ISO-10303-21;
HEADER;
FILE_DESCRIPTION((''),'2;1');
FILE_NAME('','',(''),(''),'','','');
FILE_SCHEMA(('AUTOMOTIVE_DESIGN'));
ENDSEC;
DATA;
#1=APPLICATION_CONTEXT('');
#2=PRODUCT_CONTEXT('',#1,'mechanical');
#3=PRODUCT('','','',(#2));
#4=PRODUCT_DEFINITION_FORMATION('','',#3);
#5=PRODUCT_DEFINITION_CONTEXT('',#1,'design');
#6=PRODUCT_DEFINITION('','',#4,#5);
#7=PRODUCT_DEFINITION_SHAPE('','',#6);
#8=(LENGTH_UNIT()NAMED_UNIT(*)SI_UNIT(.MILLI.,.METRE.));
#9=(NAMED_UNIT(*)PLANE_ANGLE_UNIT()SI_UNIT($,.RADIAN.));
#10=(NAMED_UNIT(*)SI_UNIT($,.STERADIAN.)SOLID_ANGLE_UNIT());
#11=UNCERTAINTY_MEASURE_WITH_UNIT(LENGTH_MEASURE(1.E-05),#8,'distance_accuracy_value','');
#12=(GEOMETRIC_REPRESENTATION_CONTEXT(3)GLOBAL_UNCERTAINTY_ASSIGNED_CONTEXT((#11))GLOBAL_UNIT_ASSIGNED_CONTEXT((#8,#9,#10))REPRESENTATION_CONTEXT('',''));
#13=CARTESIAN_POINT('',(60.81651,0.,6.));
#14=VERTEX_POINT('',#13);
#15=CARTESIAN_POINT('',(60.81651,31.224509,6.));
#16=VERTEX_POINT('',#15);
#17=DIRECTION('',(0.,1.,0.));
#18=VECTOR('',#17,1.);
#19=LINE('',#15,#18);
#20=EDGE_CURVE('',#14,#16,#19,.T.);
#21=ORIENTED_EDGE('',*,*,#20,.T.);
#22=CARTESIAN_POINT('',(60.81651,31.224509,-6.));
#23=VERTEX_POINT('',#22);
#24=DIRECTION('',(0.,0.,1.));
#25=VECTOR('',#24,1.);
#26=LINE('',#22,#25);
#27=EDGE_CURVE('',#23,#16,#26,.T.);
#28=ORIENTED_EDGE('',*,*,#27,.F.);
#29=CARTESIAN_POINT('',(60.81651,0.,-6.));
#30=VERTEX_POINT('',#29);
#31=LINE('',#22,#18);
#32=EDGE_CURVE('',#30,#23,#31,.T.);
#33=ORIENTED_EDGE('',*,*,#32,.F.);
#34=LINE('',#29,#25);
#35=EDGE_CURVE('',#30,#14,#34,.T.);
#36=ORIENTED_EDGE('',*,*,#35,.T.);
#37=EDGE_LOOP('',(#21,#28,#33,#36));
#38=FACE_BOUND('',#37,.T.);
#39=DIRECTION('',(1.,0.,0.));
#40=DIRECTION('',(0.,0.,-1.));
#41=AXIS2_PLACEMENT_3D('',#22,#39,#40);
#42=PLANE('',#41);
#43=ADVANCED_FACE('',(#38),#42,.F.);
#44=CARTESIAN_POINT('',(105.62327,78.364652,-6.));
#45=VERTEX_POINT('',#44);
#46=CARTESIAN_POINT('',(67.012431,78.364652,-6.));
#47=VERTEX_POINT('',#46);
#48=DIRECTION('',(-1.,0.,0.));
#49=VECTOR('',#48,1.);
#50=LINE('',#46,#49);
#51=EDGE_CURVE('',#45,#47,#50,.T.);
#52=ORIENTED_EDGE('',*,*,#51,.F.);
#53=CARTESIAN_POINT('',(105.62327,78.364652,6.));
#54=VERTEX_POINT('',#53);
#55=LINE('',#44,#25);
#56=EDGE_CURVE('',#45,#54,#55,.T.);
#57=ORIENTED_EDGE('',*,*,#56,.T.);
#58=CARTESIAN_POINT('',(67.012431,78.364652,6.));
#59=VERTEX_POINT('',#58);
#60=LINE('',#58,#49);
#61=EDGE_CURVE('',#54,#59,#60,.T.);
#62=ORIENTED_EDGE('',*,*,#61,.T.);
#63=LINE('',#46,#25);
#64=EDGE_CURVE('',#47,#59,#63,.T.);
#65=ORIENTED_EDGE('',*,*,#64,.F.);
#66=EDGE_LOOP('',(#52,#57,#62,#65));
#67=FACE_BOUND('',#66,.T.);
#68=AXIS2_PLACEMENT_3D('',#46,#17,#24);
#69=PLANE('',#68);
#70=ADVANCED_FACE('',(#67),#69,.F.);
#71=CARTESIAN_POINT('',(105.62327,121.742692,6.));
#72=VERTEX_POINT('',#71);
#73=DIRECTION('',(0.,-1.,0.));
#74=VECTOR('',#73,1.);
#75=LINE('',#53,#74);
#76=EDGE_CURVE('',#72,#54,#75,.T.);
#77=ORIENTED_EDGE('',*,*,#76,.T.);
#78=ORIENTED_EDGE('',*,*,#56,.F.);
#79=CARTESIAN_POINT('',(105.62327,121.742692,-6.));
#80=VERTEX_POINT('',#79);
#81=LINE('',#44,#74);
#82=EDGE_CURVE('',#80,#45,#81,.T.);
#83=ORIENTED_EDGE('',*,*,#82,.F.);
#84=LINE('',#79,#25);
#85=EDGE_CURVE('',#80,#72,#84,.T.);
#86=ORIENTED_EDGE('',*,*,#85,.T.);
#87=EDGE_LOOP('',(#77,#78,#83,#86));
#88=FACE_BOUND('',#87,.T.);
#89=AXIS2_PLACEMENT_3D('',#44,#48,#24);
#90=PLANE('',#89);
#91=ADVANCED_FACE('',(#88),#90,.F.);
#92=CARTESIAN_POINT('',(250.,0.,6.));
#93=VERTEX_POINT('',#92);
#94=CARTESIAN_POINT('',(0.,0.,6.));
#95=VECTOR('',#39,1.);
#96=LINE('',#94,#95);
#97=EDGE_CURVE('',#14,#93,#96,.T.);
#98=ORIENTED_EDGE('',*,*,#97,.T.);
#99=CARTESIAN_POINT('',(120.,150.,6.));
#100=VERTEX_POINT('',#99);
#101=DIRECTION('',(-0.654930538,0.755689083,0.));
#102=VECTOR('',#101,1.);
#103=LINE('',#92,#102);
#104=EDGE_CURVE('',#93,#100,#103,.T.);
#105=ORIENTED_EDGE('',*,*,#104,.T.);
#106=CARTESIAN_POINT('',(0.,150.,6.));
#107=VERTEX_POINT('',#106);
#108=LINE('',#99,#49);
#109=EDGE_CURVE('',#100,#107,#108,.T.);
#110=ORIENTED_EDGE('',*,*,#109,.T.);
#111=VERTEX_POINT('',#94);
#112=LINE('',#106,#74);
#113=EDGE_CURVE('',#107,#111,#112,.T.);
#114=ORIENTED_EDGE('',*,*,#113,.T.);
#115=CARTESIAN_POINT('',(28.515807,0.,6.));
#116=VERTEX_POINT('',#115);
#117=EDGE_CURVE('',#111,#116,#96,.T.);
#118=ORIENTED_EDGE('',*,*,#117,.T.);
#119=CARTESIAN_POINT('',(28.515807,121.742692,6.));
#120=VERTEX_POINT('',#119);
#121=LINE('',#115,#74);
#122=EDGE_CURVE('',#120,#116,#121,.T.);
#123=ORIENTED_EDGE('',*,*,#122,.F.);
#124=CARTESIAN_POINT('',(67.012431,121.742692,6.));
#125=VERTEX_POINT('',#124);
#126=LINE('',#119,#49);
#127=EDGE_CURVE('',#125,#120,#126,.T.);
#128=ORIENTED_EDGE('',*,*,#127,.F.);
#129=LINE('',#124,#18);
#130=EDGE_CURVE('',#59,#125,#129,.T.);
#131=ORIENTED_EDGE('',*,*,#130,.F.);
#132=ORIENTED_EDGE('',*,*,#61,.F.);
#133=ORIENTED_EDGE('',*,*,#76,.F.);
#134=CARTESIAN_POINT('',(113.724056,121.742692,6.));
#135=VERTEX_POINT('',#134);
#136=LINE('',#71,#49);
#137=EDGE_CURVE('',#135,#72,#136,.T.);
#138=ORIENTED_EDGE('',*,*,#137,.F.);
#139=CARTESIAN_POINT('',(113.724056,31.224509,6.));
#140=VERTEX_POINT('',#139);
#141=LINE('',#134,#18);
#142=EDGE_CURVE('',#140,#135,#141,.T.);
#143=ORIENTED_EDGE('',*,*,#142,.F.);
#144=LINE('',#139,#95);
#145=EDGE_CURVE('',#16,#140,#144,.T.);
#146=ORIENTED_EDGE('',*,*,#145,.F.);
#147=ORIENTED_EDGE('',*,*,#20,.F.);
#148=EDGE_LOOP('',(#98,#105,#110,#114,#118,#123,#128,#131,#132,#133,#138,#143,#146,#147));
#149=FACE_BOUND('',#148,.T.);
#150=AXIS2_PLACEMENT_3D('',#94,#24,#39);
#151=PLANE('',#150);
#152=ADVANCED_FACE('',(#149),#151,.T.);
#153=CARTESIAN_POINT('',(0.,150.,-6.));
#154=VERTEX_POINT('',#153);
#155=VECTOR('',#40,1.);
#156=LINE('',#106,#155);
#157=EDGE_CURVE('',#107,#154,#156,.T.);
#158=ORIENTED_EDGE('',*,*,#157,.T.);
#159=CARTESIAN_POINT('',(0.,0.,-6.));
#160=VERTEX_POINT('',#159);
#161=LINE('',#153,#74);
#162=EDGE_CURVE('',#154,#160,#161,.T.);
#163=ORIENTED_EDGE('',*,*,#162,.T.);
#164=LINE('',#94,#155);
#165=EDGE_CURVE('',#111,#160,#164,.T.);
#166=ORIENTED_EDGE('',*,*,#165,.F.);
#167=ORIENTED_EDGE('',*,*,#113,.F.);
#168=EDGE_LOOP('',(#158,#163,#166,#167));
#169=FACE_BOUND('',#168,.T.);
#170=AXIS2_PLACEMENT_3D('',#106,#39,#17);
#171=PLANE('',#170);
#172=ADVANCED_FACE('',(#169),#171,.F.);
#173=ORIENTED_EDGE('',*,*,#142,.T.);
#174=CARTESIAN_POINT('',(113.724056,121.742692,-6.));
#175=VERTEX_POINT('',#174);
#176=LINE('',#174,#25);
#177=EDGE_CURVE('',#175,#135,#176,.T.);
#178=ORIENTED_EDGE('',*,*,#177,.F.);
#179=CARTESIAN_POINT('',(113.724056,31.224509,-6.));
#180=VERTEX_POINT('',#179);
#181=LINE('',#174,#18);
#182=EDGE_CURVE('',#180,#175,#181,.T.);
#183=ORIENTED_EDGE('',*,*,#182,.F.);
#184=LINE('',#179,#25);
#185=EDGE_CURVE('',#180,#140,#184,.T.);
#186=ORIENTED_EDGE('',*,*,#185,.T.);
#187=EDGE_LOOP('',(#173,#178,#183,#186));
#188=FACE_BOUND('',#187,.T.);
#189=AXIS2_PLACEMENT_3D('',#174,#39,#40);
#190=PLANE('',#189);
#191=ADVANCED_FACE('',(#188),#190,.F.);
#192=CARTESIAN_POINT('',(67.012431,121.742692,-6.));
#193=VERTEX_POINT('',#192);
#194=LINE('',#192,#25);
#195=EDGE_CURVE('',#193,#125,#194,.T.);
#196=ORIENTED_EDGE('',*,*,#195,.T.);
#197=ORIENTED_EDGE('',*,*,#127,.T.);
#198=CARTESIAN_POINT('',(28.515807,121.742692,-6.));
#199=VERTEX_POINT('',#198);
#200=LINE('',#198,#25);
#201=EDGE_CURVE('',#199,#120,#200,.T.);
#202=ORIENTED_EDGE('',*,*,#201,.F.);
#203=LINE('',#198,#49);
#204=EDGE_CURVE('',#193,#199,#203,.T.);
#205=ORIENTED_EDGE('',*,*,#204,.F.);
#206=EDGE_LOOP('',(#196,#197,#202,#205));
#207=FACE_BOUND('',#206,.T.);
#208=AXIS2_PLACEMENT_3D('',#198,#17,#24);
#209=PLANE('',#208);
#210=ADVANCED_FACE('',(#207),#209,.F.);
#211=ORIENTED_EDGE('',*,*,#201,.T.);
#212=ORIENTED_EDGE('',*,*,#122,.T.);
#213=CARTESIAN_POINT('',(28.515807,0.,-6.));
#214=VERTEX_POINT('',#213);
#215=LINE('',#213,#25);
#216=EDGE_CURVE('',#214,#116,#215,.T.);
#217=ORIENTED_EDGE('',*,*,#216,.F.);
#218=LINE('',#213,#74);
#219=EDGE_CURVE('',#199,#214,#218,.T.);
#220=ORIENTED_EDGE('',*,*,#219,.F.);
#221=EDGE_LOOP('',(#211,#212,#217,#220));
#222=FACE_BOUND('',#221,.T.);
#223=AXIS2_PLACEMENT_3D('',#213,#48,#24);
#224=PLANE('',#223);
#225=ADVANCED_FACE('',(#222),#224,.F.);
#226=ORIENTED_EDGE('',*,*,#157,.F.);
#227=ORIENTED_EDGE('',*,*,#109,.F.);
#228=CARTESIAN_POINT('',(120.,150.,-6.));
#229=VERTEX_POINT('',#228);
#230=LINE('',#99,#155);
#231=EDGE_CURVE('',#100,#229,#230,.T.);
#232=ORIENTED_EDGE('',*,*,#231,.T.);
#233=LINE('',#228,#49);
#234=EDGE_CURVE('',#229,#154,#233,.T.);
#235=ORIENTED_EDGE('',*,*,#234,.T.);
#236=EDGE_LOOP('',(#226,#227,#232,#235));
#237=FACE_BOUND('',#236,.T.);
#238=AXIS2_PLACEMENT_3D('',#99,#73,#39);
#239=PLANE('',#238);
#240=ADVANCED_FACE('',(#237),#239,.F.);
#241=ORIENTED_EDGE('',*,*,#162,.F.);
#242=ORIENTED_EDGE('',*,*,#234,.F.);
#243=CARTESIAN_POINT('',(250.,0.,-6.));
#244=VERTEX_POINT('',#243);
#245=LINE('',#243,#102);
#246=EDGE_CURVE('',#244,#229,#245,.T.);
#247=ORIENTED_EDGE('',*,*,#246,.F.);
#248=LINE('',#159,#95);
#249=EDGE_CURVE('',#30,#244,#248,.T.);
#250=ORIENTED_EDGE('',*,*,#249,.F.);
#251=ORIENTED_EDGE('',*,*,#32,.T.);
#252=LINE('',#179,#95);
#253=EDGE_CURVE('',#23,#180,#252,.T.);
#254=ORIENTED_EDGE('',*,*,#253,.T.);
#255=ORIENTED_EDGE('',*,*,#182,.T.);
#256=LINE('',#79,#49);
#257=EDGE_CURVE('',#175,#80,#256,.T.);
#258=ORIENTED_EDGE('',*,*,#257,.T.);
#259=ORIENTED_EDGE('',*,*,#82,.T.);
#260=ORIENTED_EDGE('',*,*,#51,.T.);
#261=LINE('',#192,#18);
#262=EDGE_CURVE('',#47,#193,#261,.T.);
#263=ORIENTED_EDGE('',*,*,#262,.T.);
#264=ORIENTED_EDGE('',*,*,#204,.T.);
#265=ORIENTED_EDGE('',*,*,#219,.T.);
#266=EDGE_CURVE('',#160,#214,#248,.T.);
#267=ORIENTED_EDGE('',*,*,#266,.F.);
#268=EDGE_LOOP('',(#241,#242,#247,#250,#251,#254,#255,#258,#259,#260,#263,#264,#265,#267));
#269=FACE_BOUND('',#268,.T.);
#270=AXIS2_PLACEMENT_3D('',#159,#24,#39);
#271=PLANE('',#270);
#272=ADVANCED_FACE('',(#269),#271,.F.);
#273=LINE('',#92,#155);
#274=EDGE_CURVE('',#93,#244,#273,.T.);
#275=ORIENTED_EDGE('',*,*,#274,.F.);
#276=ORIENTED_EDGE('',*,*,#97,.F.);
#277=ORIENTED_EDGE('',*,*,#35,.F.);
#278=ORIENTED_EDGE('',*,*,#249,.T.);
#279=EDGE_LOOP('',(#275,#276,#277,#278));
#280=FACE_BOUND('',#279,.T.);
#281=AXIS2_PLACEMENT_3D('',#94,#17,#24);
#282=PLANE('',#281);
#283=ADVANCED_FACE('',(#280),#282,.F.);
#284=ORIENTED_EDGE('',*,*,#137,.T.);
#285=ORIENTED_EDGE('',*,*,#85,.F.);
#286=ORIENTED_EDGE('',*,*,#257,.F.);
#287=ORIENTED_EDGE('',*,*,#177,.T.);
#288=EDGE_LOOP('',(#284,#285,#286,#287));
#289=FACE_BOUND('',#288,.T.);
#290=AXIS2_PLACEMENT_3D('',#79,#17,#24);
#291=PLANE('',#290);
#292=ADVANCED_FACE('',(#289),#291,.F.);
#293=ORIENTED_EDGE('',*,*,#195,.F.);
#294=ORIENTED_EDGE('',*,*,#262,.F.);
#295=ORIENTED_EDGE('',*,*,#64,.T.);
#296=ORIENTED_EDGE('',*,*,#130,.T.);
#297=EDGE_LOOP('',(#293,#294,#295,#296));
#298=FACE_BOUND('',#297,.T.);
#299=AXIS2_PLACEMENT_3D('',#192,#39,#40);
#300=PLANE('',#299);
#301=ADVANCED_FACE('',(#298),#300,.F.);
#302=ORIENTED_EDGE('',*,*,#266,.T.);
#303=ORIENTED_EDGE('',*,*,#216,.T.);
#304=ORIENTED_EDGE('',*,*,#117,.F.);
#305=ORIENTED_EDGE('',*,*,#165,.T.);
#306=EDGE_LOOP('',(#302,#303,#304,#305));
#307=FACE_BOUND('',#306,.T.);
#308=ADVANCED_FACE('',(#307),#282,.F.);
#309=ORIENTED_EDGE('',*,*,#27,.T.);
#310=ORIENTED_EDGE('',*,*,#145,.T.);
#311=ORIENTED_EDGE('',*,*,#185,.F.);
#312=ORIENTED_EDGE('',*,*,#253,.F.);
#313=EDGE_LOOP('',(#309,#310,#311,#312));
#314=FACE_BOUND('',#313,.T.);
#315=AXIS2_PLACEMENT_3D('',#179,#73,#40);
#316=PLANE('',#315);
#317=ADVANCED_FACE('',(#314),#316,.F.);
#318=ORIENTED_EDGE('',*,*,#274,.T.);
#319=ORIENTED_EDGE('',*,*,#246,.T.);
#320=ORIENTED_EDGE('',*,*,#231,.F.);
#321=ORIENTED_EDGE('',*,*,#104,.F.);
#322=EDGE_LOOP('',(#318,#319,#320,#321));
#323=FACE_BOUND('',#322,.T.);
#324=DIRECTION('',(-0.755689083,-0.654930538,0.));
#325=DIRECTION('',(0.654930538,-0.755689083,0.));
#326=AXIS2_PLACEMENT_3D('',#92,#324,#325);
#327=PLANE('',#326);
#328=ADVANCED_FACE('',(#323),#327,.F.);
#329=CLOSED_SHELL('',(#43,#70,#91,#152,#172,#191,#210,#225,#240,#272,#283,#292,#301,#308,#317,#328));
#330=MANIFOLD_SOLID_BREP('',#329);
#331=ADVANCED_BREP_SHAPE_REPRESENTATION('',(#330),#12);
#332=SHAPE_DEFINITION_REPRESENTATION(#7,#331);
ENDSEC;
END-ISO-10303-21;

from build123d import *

# Parameters (mm, degrees)
BOSS_EXTRU_1_DEPTH      = 6
BOSS_EXTRU_1_DEPTH_BACK = 6
ENL_V_MAT_EXTRU_1_DEPTH = 292.794448199


with BuildPart() as part:
    # Esquisse1 → Boss.-Extru.1 (new, two sides: drawn at the far end of the back side and taken through both)
    with BuildSketch(Plane.XY.offset(-BOSS_EXTRU_1_DEPTH_BACK)):
        Polygon((0, 0), (250, 0), (120, 150), (0, 150), align=None)
    extrude(amount=BOSS_EXTRU_1_DEPTH + BOSS_EXTRU_1_DEPTH_BACK)

    # Esquisse2 → Enlèv. mat.-Extru.1 (cut, through all)
    with BuildSketch(Plane.XY.offset(6)):
        Polygon((28.515807323, 0), (28.515807323, 121.742691755), (67.012431024, 121.742691755), (67.012431024, 78.36465188), (105.62326997, 78.36465188), (105.62326997, 121.742691755), (113.72405631, 121.742691755), (113.72405631, 31.224508755), (60.816510283, 31.224508755), (60.816510283, 0), align=None)
    extrude(amount=-ENL_V_MAT_EXTRU_1_DEPTH, mode=Mode.SUBTRACT)


solid = part.part
